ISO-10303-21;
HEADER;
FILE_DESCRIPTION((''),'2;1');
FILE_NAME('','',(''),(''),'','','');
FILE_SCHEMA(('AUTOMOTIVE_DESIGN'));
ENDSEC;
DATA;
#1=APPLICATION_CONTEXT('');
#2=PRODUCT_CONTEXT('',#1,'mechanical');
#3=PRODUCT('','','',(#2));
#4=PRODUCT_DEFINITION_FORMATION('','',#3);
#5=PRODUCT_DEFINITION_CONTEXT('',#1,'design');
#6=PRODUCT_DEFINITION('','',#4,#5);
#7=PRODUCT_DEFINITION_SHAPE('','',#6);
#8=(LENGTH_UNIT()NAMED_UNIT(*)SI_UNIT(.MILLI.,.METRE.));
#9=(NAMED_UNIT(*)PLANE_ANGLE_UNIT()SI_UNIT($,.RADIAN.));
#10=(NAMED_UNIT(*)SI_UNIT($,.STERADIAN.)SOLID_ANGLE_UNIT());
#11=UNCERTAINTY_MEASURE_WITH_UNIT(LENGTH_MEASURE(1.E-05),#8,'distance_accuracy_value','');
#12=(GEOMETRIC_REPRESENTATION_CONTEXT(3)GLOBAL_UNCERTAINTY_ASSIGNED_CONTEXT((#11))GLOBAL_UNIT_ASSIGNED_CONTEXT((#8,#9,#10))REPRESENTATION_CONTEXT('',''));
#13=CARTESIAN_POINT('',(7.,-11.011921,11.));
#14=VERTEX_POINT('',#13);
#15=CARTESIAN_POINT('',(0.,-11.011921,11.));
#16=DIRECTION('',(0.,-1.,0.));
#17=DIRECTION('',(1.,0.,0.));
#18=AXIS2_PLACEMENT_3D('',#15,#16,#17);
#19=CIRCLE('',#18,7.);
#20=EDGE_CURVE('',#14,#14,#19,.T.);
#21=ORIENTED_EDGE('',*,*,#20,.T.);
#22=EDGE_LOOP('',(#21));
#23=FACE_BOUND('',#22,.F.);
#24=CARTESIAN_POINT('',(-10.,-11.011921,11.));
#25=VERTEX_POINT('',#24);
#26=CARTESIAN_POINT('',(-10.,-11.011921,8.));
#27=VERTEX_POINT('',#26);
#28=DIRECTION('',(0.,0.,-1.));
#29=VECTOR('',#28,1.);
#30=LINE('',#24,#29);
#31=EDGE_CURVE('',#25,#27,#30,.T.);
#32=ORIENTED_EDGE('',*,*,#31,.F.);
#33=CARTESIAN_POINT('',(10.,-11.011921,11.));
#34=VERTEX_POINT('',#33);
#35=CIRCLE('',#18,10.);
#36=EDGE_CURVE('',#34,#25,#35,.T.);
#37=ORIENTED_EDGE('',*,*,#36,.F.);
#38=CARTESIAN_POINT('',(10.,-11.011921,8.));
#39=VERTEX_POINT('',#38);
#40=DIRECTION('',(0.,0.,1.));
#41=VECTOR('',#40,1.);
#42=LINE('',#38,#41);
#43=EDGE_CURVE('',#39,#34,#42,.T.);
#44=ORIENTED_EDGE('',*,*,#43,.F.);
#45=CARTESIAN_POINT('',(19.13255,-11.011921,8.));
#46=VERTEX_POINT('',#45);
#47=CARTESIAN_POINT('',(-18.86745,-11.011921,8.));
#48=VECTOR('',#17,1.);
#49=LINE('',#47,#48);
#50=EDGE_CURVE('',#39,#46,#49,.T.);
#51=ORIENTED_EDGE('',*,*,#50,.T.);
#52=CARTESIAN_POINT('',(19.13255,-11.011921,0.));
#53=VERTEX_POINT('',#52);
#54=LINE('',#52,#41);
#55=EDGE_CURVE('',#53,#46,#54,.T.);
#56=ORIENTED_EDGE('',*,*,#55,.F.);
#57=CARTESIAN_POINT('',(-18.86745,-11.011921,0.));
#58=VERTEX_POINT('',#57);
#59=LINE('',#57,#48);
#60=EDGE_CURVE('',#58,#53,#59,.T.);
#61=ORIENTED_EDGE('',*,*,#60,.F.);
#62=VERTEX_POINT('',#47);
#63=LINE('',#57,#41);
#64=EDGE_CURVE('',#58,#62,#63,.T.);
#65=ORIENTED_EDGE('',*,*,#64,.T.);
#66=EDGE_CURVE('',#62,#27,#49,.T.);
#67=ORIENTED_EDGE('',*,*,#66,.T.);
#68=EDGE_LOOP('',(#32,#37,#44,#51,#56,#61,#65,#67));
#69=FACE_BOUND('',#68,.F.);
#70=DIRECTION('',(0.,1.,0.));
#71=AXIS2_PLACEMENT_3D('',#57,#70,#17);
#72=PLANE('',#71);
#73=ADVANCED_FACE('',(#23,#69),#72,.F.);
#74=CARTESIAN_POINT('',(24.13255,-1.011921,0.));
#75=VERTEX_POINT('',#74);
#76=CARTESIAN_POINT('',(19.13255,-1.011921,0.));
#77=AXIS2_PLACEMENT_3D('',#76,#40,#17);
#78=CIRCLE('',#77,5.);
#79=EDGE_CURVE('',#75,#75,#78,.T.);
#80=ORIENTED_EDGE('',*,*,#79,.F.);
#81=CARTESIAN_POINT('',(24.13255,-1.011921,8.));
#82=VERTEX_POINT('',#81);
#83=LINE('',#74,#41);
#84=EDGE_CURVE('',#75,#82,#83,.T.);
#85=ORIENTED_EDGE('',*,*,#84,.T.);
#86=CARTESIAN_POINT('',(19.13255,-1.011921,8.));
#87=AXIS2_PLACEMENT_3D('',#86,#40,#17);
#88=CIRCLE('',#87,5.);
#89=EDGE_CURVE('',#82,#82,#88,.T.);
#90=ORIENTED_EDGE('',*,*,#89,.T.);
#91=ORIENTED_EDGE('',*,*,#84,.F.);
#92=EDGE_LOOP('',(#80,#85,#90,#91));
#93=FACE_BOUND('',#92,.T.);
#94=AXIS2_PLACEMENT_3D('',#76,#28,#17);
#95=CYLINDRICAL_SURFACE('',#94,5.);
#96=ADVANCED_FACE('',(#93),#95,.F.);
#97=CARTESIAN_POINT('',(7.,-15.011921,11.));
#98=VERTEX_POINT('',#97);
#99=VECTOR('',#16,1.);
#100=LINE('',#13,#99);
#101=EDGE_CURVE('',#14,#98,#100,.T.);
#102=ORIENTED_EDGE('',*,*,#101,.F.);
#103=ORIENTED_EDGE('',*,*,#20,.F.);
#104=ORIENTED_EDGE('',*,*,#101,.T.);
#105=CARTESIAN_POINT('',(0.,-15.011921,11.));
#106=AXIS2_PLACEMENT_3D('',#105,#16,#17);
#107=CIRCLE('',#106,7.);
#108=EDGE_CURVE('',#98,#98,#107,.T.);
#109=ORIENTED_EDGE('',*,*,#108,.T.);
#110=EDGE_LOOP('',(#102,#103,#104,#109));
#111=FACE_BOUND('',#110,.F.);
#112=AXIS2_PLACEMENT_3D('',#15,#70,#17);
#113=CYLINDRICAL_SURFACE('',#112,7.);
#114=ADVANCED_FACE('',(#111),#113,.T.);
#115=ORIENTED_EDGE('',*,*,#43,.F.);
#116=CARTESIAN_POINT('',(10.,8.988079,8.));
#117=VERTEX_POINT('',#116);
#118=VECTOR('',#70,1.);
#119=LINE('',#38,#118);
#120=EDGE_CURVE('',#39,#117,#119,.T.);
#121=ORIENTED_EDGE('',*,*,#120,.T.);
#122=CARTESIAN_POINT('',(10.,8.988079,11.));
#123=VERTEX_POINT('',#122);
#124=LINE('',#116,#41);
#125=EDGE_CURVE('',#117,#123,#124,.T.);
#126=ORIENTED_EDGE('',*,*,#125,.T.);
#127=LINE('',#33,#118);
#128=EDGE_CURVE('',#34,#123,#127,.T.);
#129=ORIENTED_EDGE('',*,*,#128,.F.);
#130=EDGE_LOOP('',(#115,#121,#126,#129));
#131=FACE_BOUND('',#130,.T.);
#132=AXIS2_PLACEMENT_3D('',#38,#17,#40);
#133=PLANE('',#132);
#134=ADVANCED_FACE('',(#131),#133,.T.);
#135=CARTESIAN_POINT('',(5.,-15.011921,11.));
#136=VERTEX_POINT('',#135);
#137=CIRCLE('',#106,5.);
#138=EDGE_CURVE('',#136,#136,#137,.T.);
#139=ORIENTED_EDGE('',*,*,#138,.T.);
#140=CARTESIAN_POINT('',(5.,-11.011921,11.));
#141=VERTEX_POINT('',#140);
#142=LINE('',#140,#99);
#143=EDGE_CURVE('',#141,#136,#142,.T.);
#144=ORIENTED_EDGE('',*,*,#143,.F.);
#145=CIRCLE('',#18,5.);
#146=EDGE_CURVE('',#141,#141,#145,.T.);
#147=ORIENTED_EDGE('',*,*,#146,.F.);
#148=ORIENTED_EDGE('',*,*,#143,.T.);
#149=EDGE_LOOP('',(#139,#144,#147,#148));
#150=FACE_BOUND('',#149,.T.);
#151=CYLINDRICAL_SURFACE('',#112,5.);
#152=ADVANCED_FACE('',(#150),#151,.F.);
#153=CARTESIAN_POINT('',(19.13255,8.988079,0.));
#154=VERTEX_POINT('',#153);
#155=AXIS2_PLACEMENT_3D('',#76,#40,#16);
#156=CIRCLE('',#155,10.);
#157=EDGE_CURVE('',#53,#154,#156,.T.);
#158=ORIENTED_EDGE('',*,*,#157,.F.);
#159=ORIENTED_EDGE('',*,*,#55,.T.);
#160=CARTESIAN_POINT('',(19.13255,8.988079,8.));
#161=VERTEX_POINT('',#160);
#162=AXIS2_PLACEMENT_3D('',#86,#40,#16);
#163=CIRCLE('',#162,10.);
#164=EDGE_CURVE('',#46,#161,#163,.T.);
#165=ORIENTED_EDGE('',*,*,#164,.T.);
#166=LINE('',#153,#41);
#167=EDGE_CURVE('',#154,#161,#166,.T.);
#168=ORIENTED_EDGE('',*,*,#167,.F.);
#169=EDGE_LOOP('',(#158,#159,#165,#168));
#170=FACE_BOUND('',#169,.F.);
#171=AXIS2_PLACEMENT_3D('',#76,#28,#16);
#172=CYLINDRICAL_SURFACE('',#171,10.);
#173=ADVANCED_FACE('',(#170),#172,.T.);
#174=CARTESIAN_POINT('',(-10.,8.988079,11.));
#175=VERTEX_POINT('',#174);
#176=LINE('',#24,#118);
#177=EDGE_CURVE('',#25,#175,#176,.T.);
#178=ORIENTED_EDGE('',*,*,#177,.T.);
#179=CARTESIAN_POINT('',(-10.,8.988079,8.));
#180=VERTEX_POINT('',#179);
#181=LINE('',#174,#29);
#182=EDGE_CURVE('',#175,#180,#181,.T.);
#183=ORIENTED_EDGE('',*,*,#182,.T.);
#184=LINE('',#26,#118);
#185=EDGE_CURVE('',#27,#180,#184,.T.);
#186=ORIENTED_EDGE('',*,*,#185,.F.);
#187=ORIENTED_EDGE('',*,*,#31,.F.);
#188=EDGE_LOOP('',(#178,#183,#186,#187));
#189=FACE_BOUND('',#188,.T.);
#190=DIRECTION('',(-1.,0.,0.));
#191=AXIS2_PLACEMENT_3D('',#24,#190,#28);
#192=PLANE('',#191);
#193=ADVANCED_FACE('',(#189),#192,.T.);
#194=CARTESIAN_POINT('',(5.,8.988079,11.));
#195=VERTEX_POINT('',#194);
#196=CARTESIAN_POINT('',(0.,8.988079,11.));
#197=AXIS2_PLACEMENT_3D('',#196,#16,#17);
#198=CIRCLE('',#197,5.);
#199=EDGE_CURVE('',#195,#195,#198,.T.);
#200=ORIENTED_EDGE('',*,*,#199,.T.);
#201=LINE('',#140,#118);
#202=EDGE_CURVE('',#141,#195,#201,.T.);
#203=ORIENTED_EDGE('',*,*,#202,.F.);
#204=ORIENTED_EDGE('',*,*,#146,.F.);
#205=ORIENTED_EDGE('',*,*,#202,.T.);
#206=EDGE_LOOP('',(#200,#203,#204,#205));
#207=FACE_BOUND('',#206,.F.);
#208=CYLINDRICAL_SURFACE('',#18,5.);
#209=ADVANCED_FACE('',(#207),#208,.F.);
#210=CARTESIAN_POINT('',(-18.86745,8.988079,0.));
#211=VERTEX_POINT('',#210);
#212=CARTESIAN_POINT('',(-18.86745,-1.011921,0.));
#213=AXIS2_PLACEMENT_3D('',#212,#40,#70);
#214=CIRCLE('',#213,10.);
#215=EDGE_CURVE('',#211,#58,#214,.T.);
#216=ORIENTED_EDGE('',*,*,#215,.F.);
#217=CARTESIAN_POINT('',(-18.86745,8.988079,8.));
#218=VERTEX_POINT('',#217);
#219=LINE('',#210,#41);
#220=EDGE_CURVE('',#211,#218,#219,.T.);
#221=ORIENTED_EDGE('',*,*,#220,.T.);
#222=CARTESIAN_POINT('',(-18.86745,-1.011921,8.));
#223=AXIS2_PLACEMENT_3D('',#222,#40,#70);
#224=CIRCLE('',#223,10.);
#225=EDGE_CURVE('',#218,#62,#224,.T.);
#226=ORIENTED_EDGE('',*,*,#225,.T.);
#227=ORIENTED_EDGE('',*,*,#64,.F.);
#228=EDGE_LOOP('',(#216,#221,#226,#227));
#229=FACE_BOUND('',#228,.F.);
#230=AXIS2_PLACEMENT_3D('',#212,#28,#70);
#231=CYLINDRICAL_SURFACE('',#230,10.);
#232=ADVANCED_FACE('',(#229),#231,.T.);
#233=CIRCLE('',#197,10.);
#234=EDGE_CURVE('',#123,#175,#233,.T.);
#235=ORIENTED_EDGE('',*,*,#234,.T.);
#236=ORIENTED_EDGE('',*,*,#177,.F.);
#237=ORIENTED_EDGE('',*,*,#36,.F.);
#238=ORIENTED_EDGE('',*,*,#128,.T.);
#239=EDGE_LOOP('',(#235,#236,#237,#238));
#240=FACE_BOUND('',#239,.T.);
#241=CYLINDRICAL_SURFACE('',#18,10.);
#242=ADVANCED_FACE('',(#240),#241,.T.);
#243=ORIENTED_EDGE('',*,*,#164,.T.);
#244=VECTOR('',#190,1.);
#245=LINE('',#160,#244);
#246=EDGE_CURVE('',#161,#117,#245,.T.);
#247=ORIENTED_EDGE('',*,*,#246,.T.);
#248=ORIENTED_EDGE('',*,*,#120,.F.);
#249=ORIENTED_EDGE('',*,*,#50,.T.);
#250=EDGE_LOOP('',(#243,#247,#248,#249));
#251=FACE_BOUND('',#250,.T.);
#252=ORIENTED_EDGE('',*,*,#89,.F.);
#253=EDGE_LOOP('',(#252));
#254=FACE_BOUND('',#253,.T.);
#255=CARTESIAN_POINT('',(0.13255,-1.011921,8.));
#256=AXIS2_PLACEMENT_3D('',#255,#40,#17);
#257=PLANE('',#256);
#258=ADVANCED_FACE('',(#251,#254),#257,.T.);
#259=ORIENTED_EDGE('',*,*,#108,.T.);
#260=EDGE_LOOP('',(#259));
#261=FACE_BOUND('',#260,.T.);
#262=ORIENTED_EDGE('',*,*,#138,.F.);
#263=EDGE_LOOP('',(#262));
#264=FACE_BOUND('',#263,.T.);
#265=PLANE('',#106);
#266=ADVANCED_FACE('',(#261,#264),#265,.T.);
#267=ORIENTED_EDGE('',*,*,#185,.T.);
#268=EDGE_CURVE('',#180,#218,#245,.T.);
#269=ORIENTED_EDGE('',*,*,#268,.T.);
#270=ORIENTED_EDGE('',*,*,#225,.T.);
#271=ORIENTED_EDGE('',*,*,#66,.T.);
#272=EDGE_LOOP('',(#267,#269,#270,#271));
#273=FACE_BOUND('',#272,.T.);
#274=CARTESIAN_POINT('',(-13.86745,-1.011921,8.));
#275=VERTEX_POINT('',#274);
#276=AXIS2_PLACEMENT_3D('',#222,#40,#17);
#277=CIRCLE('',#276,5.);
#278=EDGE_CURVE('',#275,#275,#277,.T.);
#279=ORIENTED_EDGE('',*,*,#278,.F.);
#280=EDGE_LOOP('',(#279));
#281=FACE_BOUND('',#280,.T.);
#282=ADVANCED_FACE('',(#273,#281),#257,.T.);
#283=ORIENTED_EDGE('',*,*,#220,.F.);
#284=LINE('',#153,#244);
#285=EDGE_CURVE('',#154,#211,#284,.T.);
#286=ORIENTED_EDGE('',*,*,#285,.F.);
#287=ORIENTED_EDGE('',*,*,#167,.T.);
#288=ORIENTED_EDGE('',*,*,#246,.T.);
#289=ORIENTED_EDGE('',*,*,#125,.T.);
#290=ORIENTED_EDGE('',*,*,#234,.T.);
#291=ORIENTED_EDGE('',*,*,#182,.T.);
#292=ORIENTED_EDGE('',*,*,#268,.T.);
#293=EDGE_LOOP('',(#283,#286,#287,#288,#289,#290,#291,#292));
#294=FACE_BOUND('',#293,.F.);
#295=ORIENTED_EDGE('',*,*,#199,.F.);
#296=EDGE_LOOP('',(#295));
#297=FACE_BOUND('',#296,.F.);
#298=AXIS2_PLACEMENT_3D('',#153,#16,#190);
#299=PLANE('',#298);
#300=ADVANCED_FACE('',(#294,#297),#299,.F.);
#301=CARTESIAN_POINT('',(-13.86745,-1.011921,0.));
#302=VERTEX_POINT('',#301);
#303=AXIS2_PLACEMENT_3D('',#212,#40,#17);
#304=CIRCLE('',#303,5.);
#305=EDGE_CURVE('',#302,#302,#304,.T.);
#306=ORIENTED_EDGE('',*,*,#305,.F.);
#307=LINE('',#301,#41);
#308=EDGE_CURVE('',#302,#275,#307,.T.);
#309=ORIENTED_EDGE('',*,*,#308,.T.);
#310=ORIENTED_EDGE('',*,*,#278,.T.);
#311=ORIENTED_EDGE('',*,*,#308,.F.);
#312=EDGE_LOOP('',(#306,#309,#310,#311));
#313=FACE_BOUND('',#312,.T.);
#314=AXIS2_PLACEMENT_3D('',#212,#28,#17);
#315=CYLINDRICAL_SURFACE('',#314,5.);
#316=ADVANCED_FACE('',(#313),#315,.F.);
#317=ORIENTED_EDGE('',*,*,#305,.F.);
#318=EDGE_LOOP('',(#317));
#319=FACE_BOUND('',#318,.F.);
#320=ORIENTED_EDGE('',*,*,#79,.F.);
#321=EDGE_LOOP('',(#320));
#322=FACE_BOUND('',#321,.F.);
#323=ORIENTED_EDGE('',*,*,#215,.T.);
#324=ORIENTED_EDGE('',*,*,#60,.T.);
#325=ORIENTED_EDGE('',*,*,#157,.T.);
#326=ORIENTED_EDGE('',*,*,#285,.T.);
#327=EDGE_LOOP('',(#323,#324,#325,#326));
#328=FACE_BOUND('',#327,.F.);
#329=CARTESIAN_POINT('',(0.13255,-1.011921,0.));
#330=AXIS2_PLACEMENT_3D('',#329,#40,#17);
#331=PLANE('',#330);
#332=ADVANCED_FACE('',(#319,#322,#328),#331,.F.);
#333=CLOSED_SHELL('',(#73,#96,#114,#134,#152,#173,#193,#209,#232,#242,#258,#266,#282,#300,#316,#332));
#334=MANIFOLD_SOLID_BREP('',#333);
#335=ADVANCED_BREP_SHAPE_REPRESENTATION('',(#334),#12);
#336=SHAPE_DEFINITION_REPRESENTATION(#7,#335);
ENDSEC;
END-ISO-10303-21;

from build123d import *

# Parameters (mm, degrees)
F0_R     = 5
F1_DEPTH = 8
F3_DEPTH = 20
F4_R     = 5
F5_DEPTH = 20.001
F4_R_2   = 7
F6_DEPTH = 4


with BuildPart() as f1:
    # F0 (on Top) → F1 (new body)
    with BuildSketch(Plane.XY):
        with BuildLine():
            ThreePointArc((-18.86745, 8.988079), (-28.86745, -1.011921), (-18.86745, -11.011921))
            Line((-18.86745, -11.011921), (19.13255, -11.011921))
            ThreePointArc((19.13255, -11.011921), (29.13255, -1.011921), (19.13255, 8.988079))
            Line((19.13255, 8.988079), (-18.86745, 8.988079))
        make_face()
        with Locations((-18.86745, -1.011921)):
            Circle(F0_R, mode=Mode.SUBTRACT)
        with Locations((19.13255, -1.011921)):
            Circle(F0_R, mode=Mode.SUBTRACT)
    extrude(amount=F1_DEPTH)

    # F2 (on face) → F3 (join)
    with BuildSketch(Plane.XZ.offset(11.011921)):
        Polygon((-10, 11), (-10, 8), (0, 8), (10, 8), (10, 11), (0, 11), align=None)
        with BuildLine():
            ThreePointArc((10, 11), (0, 21), (-10, 11))
            Line((-10, 11), (0, 11))
            Line((0, 11), (10, 11))
        make_face()
    extrude(amount=-F3_DEPTH)

    # F4 (on face) → F5 (cut, through all)
    with BuildSketch(Plane.XZ.offset(11.011921)):
        with Locations((0, 11)):
            Circle(F4_R)
    extrude(amount=-F5_DEPTH, mode=Mode.SUBTRACT)

    # F4 (on face) → F6 (join)
    with BuildSketch(Plane.XZ.offset(11.011921)):
        with Locations((0, 11)):
            Circle(F4_R_2)
        with Locations((0, 11)):
            Circle(F4_R, mode=Mode.SUBTRACT)
    extrude(amount=F6_DEPTH)


solid = f1.part
